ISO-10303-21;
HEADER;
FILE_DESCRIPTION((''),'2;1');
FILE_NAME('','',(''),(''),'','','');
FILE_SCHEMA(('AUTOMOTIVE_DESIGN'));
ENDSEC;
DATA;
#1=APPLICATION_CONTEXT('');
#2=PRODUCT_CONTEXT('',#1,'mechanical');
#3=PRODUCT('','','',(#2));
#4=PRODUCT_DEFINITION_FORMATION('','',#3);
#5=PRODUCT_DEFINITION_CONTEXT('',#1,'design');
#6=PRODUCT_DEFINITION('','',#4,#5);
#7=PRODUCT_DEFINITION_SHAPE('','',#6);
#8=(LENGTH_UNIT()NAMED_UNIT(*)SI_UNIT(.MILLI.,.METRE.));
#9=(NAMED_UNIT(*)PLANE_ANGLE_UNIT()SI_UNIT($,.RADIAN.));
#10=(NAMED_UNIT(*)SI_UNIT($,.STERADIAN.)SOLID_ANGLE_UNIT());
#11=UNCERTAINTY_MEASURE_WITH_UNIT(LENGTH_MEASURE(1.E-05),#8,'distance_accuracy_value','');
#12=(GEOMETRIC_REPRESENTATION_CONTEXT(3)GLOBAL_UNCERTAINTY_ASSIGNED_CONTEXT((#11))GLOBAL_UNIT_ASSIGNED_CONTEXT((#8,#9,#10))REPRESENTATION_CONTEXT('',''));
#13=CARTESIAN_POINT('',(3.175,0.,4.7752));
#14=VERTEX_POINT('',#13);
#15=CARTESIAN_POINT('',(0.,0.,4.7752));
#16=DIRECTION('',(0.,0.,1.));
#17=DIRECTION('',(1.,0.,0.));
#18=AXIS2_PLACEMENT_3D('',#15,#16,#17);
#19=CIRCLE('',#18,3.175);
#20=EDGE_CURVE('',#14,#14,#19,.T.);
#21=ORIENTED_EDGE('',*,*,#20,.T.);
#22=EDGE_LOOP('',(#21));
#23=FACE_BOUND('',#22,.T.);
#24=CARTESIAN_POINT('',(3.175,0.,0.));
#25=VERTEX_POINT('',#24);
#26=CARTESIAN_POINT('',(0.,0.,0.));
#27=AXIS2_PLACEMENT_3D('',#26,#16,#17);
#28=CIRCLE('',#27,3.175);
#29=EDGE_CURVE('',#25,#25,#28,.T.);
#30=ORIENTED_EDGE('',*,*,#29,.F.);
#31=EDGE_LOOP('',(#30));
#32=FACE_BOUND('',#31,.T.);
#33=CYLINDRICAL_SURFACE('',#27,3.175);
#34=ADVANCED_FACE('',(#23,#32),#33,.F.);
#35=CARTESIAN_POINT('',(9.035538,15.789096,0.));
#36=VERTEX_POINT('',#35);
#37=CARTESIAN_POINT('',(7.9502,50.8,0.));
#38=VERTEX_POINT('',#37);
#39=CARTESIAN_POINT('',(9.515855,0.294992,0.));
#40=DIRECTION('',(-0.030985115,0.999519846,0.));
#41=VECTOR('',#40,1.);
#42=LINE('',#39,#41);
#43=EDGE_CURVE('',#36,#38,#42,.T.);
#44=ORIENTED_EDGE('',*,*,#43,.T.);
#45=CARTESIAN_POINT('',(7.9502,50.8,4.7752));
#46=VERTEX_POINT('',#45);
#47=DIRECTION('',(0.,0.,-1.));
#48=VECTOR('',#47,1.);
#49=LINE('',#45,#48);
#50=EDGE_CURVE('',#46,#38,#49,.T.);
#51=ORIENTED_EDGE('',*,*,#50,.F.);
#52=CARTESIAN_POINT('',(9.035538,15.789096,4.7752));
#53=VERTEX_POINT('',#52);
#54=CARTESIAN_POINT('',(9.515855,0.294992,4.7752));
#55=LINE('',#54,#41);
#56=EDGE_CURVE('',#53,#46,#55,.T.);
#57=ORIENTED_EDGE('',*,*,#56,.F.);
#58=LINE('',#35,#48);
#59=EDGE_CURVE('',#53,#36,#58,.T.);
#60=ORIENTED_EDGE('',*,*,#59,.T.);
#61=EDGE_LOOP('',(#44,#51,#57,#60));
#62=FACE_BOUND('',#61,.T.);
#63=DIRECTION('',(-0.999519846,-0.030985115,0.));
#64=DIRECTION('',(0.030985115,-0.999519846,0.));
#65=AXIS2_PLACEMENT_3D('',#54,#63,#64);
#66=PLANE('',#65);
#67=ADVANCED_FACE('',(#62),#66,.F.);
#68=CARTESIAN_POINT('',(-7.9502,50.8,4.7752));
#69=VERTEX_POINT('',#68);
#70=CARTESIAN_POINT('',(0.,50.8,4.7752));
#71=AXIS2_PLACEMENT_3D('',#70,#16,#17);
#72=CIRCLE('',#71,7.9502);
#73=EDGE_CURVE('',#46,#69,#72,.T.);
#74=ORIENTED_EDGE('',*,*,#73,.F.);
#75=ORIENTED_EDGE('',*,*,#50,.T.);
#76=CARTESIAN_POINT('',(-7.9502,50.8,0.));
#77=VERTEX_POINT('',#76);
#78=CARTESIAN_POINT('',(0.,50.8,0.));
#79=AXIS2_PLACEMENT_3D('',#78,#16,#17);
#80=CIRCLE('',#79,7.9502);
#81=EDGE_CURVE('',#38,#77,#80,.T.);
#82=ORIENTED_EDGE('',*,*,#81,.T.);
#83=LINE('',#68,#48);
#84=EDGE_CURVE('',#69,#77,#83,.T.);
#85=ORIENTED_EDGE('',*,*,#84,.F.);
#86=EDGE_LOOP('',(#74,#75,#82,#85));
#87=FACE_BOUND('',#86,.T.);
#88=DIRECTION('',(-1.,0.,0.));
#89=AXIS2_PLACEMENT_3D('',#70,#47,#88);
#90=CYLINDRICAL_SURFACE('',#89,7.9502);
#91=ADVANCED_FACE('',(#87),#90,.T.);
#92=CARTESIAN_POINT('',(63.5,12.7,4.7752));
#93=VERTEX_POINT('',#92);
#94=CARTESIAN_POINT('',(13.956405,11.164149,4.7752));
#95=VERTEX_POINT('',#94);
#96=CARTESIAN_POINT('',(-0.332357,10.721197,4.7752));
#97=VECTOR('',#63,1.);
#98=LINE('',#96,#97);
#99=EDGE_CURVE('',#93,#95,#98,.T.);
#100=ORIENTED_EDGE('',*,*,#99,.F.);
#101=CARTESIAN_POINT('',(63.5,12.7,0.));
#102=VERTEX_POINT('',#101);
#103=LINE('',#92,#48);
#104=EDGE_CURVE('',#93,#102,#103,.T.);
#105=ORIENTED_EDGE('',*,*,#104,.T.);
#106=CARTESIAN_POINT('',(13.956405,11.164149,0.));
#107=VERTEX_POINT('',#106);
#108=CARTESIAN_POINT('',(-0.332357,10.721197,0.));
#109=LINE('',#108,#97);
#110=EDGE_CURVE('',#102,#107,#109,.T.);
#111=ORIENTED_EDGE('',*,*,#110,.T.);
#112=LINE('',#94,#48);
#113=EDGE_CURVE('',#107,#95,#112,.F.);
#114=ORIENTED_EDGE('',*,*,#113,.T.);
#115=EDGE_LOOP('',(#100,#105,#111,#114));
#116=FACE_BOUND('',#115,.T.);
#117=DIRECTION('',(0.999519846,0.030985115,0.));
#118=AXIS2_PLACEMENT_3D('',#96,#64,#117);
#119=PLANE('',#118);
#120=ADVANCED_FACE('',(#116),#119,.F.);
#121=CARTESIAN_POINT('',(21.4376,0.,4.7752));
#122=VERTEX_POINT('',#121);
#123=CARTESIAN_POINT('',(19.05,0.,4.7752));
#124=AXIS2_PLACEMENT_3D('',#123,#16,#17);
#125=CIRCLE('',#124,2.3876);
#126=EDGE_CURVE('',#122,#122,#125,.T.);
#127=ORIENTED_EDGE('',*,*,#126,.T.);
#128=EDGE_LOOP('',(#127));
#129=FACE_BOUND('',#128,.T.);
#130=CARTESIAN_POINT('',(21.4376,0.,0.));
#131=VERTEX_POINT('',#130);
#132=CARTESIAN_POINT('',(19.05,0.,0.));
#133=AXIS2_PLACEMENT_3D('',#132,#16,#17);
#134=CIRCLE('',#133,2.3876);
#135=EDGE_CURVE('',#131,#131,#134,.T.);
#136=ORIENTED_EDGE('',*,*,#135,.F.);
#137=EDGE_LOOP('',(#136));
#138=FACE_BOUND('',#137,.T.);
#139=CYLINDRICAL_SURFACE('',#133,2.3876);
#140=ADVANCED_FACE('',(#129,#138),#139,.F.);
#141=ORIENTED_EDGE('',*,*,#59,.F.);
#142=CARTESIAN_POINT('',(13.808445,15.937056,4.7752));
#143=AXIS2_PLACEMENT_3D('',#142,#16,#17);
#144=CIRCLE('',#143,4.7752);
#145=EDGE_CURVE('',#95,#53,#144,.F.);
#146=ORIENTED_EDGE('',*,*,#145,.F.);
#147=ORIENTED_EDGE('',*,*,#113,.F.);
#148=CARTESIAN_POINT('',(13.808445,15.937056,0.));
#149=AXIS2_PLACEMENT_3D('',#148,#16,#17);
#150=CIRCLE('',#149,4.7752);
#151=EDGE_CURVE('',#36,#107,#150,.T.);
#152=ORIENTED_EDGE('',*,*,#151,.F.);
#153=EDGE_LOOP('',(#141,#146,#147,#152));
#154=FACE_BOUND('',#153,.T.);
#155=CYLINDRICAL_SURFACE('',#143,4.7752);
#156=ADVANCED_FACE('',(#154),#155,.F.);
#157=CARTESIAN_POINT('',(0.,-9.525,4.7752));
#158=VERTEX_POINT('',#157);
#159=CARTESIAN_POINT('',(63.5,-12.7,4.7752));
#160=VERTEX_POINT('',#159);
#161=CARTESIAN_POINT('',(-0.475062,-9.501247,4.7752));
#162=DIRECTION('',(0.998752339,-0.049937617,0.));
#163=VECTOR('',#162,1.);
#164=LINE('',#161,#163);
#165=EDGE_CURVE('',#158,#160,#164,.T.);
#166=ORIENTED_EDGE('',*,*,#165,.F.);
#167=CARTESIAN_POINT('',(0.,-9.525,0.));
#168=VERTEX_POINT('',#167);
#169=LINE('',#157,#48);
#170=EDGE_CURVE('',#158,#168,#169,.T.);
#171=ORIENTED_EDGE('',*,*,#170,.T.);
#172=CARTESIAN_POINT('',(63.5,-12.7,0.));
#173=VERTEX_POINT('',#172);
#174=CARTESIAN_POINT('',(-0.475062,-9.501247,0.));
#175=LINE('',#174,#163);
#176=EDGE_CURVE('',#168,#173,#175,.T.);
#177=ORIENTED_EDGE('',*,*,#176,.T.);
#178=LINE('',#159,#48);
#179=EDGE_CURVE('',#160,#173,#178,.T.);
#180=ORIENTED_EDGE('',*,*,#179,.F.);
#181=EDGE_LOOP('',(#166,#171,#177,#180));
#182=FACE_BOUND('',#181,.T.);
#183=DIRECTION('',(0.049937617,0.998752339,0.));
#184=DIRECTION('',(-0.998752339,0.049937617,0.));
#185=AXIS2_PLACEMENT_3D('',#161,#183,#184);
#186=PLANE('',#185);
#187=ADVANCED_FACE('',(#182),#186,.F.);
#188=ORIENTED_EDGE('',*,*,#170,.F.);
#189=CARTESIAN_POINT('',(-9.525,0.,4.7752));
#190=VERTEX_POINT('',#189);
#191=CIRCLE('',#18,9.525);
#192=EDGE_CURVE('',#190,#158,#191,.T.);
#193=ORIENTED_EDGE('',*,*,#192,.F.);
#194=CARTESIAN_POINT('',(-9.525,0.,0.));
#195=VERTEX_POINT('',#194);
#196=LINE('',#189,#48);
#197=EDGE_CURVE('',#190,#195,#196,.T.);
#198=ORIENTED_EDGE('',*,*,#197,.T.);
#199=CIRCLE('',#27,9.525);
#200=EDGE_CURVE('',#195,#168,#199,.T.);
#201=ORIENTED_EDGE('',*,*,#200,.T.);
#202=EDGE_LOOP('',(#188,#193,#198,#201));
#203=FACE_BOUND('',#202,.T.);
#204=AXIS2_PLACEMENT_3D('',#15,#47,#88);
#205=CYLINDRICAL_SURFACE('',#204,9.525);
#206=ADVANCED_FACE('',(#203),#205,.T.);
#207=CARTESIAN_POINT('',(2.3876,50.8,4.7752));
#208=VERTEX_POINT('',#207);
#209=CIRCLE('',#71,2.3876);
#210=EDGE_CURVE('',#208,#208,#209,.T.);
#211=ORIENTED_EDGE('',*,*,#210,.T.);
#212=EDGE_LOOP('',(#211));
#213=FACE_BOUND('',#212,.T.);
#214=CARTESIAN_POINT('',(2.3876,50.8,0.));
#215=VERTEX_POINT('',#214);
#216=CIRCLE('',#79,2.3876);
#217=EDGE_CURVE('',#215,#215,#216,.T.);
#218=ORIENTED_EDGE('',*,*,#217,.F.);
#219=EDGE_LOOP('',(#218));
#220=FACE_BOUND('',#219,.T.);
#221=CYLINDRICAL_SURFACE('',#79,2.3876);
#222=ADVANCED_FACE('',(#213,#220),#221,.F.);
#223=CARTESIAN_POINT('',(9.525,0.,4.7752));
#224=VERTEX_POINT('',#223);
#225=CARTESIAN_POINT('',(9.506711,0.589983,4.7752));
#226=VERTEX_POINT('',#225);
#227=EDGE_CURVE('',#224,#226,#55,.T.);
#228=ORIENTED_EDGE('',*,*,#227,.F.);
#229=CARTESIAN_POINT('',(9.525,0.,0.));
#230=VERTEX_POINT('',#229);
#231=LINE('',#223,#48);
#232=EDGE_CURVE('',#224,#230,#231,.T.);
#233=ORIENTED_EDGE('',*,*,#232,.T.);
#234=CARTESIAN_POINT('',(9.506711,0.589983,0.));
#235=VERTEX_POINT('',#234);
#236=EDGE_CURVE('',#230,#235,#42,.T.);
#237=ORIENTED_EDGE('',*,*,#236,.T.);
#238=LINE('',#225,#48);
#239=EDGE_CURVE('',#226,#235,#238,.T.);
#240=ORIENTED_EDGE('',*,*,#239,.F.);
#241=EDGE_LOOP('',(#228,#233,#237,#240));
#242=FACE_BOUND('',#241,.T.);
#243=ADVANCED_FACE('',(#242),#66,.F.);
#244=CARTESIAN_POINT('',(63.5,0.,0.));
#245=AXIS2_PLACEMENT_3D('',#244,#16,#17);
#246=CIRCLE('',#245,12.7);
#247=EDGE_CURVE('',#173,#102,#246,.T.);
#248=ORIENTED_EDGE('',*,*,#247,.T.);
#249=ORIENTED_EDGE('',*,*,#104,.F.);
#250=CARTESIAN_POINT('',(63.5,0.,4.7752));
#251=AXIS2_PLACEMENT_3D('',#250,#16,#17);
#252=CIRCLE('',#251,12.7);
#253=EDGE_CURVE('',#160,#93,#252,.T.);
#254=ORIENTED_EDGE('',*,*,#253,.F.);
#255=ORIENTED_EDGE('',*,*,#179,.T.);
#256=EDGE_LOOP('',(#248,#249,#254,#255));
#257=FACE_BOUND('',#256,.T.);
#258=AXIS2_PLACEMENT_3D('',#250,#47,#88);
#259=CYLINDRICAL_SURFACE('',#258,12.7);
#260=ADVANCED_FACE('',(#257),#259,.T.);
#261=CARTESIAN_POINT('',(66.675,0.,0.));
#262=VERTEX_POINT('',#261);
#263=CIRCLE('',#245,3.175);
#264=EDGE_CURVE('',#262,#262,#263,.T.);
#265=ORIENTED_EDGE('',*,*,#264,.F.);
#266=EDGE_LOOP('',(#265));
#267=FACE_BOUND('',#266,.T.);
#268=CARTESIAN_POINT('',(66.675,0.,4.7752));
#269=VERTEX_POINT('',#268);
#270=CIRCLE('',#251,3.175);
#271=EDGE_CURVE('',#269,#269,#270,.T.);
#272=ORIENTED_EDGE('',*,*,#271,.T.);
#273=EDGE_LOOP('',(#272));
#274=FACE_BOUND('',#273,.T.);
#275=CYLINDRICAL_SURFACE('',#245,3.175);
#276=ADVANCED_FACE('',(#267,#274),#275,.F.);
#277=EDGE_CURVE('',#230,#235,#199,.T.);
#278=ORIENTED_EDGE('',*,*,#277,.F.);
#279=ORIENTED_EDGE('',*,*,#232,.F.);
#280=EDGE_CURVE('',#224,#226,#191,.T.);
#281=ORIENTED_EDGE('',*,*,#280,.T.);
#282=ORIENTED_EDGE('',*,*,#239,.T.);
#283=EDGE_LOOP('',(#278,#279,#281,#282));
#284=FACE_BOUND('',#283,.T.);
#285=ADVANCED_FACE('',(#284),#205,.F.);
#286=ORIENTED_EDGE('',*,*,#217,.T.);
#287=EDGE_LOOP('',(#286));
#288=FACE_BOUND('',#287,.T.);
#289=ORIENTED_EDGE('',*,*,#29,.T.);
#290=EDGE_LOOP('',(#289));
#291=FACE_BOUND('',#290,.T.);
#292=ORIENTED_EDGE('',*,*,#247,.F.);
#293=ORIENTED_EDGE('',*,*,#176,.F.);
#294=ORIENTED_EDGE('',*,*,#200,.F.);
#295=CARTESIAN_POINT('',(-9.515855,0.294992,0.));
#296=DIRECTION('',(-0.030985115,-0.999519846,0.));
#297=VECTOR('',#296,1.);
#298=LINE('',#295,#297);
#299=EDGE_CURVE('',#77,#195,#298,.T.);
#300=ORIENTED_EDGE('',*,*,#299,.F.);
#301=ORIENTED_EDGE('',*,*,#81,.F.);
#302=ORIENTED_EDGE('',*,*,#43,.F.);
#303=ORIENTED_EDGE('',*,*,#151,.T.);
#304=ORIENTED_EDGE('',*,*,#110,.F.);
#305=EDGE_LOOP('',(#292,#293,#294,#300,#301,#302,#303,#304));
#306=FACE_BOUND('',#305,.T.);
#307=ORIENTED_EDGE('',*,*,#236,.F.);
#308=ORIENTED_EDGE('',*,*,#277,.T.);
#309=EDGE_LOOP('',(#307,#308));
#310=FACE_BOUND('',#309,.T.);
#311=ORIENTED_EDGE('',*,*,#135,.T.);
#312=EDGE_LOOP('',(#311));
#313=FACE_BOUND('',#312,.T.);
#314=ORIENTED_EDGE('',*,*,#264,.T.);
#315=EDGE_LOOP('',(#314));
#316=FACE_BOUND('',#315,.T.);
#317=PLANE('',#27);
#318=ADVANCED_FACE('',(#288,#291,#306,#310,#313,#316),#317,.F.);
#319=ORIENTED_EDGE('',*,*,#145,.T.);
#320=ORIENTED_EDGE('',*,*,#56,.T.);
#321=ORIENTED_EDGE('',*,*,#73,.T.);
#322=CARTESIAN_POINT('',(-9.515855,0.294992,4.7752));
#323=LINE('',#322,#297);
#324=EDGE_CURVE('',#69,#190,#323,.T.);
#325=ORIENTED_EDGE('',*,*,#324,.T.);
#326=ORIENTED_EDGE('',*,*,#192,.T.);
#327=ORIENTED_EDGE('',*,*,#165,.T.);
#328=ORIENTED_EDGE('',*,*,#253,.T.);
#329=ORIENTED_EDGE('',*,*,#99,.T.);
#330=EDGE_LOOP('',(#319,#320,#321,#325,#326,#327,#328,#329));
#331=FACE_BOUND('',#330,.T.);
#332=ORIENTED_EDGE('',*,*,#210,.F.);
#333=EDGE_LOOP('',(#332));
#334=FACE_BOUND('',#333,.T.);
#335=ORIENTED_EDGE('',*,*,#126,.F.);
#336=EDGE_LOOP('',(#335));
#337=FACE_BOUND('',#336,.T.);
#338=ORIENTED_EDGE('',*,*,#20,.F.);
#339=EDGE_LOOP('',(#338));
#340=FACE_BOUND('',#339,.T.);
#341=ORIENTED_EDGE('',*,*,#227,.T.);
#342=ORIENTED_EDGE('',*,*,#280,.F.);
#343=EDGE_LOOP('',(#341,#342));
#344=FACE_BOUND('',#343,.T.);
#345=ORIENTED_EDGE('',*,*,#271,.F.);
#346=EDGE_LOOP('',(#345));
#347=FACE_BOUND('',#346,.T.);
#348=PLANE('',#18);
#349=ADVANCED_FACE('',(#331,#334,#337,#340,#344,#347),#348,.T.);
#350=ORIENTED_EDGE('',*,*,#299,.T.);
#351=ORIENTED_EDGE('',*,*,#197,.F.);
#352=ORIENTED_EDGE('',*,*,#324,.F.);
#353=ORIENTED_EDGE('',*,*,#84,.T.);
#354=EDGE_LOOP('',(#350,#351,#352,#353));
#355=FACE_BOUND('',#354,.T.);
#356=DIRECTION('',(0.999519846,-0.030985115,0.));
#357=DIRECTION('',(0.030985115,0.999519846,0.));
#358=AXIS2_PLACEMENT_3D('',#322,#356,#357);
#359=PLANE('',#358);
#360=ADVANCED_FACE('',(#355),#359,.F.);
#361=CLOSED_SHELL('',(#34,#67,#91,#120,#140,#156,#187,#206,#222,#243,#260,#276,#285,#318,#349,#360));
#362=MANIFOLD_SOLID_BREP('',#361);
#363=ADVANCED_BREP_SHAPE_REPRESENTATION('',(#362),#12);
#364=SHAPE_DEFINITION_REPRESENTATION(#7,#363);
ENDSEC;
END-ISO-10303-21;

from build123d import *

# Parameters (mm, degrees)
BOSS_EXTRUDE1_DEPTH = 4.7752
FILLET1_R           = 4.7752
SKETCH2_R           = 3.175
SKETCH2_R_2         = 2.3876
CUT_EXTRUDE1_DEPTH  = 4.7752


with BuildPart() as part:
    # Sketch1 → Boss-Extrude1 (new body)
    with BuildSketch(Plane.XY):
        with BuildLine():
            ThreePointArc((7.9502, 50.8), (0, 58.7502), (-7.9502, 50.8))
            Line((-7.9502, 50.8), (-9.506710526, 0.589983026))
            Line((-9.506710526, 0.589983026), (-9.525, 0))
            ThreePointArc((-9.525, 0), (-6.735192091, -6.735192091), (0, -9.525))
            Line((0, -9.525), (62.233167082, -12.636658354))
            Line((62.233167082, -12.636658354), (63.5, -12.7))
            ThreePointArc((63.5, -12.7), (76.2, 0), (63.5, 12.7))
            Line((63.5, 12.7), (62.713355965, 12.675614035))
            Line((62.713355965, 12.675614035), (9.183498158, 11.016188443))
            Line((9.183498158, 11.016188443), (7.9502, 50.8))
        make_face()
        with BuildLine():
            ThreePointArc((9.506710526, 0.589983026), (9.520426534, 0.295133223), (9.525, 0))
            Line((9.525, 0), (9.506710526, 0.589983026))
        make_face(mode=Mode.SUBTRACT)
    extrude(amount=BOSS_EXTRUDE1_DEPTH)

    # Fillet1
    fillet1_edges = [part.edges().sort_by_distance(p)[0] for p in [
        (9.183498158, 11.016188443, 2.3876),
    ]]
    fillet(fillet1_edges, radius=FILLET1_R)

    # Sketch2 → Cut-Extrude1 (cut)
    with BuildSketch(Plane.XY.offset(4.7752)):
        Circle(SKETCH2_R)
        with Locations((0, 50.8)):
            Circle(SKETCH2_R_2)
        with Locations((19.05, 0)):
            Circle(SKETCH2_R_2)
        with Locations((63.5, 0)):
            Circle(SKETCH2_R)
    extrude(amount=-CUT_EXTRUDE1_DEPTH, mode=Mode.SUBTRACT)


solid = part.part
